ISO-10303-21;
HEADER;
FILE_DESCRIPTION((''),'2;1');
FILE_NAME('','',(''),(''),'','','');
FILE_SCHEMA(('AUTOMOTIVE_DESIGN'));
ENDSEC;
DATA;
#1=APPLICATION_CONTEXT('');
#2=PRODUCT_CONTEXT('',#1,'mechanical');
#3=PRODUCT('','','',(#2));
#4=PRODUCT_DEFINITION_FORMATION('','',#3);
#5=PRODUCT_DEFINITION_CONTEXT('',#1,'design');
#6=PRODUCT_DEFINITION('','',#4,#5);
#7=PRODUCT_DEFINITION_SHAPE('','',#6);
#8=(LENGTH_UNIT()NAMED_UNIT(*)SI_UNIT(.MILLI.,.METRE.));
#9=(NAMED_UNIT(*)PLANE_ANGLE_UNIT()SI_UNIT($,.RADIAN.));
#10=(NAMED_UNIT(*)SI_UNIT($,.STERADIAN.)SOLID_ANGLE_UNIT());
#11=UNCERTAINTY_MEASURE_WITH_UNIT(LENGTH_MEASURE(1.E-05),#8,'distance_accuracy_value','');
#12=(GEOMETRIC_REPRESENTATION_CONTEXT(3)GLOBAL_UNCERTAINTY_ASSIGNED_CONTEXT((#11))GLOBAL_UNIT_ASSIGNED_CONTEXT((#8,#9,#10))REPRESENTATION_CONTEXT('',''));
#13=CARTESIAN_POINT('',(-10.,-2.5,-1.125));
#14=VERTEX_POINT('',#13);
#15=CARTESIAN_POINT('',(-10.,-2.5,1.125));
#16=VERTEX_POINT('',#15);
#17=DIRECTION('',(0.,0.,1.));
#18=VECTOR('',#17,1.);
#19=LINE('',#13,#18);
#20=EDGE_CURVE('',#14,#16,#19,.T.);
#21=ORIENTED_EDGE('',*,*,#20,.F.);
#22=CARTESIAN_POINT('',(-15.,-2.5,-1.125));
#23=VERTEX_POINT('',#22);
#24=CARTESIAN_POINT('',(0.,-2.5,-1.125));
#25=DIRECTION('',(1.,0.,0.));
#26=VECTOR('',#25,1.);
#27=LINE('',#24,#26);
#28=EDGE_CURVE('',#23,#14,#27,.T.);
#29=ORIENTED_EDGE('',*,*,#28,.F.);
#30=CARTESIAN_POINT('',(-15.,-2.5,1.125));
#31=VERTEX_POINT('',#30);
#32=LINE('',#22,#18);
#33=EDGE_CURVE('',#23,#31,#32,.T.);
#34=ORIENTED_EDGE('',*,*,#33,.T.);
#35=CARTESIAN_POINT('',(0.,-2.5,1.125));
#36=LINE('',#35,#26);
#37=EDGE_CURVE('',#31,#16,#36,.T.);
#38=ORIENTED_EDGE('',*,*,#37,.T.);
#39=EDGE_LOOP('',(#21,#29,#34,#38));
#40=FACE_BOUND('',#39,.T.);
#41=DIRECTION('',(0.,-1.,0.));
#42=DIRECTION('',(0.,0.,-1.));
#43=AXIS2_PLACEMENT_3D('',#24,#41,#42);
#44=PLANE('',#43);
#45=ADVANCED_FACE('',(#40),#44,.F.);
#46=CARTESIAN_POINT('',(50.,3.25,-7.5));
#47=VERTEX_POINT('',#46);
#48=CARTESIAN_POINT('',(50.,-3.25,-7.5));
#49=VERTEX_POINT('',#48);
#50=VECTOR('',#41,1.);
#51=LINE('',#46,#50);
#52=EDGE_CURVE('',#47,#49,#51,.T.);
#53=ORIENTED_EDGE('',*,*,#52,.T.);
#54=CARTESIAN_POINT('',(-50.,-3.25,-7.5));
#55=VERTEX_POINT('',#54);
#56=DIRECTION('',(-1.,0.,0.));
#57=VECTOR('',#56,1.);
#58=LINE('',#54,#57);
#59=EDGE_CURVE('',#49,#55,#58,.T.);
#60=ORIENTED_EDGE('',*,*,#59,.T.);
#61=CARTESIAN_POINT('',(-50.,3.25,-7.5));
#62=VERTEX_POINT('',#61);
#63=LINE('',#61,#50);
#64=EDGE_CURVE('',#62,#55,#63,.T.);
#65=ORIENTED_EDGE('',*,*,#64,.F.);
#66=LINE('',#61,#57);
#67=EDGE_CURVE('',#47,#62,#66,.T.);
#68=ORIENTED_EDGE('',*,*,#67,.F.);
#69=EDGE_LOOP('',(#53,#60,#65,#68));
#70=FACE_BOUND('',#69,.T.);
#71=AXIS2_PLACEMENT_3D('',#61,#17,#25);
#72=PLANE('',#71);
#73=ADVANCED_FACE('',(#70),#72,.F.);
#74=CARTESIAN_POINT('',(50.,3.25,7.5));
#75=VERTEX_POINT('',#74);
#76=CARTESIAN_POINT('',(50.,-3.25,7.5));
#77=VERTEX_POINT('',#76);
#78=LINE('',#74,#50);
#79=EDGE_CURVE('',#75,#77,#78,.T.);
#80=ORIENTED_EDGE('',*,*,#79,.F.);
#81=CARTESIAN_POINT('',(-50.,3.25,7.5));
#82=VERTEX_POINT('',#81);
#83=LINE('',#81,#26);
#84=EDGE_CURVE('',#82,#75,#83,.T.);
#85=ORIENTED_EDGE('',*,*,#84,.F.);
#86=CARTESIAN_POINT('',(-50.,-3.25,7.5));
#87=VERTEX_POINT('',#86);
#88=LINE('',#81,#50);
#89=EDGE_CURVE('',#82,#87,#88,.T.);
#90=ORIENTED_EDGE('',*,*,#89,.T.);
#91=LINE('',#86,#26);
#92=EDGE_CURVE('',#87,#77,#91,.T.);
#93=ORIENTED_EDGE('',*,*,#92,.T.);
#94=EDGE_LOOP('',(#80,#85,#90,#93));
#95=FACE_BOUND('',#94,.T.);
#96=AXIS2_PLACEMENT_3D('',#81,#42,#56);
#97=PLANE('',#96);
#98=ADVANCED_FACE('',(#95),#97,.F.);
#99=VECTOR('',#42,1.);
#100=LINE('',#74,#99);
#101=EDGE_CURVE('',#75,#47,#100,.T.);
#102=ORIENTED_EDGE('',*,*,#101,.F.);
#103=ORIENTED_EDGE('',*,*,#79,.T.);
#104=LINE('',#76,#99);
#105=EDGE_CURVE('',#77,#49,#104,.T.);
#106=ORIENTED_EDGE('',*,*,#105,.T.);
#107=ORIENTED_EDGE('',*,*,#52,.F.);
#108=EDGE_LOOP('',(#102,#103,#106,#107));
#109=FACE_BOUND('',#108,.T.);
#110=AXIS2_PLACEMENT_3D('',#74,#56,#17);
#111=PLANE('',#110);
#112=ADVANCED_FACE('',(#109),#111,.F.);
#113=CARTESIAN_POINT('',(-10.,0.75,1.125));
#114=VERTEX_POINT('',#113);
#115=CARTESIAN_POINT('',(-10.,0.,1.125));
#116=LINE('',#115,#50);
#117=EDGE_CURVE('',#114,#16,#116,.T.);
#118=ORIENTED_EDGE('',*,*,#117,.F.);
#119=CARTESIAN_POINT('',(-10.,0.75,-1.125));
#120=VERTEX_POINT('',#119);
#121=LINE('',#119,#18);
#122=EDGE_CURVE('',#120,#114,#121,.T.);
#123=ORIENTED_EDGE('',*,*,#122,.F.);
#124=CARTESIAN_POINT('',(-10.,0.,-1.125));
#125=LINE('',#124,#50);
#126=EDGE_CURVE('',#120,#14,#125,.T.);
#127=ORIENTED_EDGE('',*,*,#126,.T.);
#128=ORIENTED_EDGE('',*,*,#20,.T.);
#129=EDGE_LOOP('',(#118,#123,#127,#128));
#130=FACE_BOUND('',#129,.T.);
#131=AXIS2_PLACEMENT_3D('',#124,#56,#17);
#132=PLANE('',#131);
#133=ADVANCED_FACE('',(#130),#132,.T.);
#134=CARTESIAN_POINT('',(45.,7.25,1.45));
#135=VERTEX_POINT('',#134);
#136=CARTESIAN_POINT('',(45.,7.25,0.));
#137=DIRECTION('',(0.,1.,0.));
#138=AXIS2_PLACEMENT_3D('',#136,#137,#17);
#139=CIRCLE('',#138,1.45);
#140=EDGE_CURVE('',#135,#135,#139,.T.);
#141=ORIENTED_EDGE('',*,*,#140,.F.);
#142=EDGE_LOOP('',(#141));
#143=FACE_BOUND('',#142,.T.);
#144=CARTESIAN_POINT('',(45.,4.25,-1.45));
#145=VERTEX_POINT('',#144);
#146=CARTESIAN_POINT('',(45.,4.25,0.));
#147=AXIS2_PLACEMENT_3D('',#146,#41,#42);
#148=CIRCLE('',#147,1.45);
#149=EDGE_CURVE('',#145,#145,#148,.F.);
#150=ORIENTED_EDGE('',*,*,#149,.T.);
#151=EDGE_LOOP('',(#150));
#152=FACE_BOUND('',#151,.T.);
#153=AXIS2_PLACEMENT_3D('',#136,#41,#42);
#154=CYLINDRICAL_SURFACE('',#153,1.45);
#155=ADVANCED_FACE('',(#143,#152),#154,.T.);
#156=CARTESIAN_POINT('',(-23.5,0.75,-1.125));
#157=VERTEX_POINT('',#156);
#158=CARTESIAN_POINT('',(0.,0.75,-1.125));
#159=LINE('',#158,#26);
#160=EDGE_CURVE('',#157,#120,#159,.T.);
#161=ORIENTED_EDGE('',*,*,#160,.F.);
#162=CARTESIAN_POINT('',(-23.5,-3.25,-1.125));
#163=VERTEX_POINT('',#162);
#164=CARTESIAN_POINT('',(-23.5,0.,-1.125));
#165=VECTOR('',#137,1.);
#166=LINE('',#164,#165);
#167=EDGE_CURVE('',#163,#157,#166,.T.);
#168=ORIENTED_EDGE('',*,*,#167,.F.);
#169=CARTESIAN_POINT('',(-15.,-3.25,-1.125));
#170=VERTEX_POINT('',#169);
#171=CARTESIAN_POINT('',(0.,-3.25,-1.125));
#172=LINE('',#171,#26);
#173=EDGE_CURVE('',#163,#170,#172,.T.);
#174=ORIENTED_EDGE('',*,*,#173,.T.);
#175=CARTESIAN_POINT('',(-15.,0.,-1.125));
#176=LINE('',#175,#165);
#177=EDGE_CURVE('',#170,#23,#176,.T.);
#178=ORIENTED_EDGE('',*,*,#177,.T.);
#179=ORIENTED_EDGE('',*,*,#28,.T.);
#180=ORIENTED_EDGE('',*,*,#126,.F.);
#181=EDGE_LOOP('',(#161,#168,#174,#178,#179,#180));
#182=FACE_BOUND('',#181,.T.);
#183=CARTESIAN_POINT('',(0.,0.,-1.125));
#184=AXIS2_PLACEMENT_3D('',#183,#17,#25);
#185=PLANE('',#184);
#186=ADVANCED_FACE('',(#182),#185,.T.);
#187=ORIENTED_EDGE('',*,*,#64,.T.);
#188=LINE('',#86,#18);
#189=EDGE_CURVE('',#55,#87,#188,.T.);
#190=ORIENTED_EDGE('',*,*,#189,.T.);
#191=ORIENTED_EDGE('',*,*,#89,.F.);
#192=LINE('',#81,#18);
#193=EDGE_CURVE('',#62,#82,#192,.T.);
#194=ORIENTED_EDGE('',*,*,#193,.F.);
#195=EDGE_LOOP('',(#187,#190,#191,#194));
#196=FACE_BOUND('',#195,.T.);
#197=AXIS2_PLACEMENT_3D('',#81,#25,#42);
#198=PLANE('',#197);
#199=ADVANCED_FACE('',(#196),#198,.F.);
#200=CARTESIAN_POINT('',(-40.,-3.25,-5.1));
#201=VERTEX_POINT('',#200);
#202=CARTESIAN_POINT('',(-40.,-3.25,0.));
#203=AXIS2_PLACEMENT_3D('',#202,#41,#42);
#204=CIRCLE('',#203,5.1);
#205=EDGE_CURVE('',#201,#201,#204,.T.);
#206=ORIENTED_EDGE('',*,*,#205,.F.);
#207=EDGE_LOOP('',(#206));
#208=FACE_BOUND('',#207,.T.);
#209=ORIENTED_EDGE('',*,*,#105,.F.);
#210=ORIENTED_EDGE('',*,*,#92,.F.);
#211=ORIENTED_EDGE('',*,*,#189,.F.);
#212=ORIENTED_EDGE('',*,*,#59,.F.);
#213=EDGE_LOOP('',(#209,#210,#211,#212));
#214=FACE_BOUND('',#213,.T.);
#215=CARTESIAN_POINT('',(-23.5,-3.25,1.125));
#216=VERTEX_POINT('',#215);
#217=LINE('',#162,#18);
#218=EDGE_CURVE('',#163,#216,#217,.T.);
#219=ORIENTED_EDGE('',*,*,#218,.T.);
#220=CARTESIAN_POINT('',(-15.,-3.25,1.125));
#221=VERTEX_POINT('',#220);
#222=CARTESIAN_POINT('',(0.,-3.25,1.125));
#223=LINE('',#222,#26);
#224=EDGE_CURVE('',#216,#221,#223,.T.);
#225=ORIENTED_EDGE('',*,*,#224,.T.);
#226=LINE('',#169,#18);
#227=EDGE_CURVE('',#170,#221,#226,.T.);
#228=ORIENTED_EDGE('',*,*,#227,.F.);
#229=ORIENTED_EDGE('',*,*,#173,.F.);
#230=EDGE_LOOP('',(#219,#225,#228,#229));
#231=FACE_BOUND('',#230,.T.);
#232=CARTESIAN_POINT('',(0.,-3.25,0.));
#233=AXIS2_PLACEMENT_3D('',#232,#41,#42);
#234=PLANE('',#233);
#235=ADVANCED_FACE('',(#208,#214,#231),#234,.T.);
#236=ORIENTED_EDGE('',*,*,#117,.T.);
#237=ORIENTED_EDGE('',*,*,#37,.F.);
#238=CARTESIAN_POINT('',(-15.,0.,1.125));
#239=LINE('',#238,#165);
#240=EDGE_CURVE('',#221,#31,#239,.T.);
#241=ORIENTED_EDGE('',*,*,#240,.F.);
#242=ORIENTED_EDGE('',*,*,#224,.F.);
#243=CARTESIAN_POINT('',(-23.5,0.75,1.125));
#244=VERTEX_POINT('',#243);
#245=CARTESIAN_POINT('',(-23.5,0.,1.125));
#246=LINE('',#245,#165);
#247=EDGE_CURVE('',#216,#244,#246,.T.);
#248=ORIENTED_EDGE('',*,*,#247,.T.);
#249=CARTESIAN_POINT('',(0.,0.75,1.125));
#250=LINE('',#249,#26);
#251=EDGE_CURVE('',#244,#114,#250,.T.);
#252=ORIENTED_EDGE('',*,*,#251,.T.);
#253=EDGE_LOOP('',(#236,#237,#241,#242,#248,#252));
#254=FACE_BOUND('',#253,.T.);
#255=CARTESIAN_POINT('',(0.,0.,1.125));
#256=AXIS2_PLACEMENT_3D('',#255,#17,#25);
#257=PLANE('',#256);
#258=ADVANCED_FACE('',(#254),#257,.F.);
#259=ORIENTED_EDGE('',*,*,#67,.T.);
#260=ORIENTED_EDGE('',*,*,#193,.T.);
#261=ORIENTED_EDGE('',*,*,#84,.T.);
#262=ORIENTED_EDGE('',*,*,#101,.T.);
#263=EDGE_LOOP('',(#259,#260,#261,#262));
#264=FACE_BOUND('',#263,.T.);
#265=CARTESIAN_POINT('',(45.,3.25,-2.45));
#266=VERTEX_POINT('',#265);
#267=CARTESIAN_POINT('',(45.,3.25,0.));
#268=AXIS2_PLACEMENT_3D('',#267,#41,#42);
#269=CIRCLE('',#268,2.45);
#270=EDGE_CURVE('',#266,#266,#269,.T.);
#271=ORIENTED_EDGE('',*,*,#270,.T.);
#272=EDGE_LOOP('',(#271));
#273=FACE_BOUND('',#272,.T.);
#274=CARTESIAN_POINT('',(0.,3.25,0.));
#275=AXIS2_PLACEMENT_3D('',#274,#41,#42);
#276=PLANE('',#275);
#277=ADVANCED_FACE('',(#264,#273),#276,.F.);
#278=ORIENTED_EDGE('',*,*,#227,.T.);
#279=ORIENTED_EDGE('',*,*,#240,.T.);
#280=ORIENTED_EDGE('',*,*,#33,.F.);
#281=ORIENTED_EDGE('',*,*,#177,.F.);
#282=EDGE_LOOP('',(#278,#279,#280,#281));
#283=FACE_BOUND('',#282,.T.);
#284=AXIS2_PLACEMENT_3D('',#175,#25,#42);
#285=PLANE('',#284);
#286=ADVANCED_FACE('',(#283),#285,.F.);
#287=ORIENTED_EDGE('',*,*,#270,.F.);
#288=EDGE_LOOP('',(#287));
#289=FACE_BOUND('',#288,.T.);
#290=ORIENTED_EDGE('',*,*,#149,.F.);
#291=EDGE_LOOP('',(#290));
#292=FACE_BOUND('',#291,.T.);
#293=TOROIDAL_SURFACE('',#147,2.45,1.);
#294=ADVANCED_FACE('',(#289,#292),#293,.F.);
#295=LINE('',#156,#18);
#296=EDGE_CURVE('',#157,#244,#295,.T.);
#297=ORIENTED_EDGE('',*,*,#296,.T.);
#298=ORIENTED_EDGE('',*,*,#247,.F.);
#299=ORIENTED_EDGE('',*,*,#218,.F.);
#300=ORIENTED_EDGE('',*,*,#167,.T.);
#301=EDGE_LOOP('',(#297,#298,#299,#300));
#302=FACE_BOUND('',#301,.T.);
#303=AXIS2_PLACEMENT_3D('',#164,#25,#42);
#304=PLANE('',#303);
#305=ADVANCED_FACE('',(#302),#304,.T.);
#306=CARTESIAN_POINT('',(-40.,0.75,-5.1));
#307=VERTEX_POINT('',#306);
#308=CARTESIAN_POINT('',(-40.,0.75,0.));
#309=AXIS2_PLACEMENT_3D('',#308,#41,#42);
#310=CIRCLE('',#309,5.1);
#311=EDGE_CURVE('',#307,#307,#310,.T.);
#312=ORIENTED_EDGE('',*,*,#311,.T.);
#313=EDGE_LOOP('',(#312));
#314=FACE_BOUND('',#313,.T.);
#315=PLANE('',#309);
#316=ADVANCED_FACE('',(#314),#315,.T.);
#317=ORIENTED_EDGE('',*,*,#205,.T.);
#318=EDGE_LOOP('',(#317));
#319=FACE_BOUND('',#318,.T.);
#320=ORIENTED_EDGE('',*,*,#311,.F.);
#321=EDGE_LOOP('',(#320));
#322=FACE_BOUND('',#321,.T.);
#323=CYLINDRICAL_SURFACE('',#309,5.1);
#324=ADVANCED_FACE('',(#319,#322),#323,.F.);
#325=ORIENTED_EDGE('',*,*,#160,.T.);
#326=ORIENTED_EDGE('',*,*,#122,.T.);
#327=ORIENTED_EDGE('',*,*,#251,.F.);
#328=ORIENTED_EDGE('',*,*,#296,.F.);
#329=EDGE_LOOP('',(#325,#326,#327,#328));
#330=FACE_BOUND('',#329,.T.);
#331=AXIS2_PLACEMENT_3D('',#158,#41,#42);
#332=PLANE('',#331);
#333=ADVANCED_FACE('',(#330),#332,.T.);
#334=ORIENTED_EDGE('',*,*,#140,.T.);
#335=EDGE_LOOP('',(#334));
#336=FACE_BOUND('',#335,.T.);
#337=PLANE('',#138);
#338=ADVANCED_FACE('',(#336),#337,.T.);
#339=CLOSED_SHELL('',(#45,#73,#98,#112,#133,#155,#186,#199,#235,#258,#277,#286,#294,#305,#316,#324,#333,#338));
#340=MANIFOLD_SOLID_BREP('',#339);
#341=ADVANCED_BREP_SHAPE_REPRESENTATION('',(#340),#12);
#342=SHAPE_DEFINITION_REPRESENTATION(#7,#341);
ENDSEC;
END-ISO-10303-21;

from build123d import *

# Parameters (mm, degrees)
SKETCH2_W           = 100
SKETCH2_H           = 15
BOSS_EXTRUDE1_DEPTH = 3.25
SKETCH4_R           = 1.45
BOSS_EXTRUDE2_DEPTH = 4
SKETCH5_R           = 5.1
CUT_EXTRUDE1_DEPTH  = 4
FILLET1_R           = 1
SKETCH6_W           = 8.5
SKETCH6_H           = 4
SKETCH6_W_2         = 5
SKETCH6_H_2         = 3.25
CUT_EXTRUDE3_DEPTH  = 1.125


with BuildPart() as part:
    # Sketch2 → Boss-Extrude1 (new, symmetric)
    with BuildSketch(Plane(origin=(0, 0, 0), x_dir=(1, 0, 0), z_dir=(0, 1, 0))):
        Rectangle(SKETCH2_W, SKETCH2_H)
    extrude(amount=BOSS_EXTRUDE1_DEPTH, both=True)

    # Sketch4 → Boss-Extrude2 (add)
    with BuildSketch(Plane(origin=(0, 3.25, 0), x_dir=(1, 0, 0), z_dir=(0, 1, 0))):
        with Locations(Location((45, 0, 0), (0, 0, 90))):
            Circle(SKETCH4_R)
    extrude(amount=BOSS_EXTRUDE2_DEPTH)

    # Sketch5 → Cut-Extrude1 (cut)
    with BuildSketch(Plane(origin=(0, -3.25, 0), x_dir=(-1, 0, 0), z_dir=(0, -1, 0))):
        with Locations(Location((40, 0, 0), (0, 0, 90))):
            Circle(SKETCH5_R)
    extrude(amount=-CUT_EXTRUDE1_DEPTH, mode=Mode.SUBTRACT)

    # Fillet1
    fillet1_edges = [part.edges().sort_by_distance(p)[0] for p in [
        (45, 3.25, 1.45),
    ]]
    fillet(fillet1_edges, radius=FILLET1_R)

    # Sketch6 → Cut-Extrude3 (cut, symmetric)
    with BuildSketch(Plane.XY):
        with Locations((-19.25, -1.25)):
            Rectangle(SKETCH6_W, SKETCH6_H)
        with Locations((-12.5, -0.875)):
            Rectangle(SKETCH6_W_2, SKETCH6_H_2)
    extrude(amount=CUT_EXTRUDE3_DEPTH, both=True, mode=Mode.SUBTRACT)


solid = part.part
